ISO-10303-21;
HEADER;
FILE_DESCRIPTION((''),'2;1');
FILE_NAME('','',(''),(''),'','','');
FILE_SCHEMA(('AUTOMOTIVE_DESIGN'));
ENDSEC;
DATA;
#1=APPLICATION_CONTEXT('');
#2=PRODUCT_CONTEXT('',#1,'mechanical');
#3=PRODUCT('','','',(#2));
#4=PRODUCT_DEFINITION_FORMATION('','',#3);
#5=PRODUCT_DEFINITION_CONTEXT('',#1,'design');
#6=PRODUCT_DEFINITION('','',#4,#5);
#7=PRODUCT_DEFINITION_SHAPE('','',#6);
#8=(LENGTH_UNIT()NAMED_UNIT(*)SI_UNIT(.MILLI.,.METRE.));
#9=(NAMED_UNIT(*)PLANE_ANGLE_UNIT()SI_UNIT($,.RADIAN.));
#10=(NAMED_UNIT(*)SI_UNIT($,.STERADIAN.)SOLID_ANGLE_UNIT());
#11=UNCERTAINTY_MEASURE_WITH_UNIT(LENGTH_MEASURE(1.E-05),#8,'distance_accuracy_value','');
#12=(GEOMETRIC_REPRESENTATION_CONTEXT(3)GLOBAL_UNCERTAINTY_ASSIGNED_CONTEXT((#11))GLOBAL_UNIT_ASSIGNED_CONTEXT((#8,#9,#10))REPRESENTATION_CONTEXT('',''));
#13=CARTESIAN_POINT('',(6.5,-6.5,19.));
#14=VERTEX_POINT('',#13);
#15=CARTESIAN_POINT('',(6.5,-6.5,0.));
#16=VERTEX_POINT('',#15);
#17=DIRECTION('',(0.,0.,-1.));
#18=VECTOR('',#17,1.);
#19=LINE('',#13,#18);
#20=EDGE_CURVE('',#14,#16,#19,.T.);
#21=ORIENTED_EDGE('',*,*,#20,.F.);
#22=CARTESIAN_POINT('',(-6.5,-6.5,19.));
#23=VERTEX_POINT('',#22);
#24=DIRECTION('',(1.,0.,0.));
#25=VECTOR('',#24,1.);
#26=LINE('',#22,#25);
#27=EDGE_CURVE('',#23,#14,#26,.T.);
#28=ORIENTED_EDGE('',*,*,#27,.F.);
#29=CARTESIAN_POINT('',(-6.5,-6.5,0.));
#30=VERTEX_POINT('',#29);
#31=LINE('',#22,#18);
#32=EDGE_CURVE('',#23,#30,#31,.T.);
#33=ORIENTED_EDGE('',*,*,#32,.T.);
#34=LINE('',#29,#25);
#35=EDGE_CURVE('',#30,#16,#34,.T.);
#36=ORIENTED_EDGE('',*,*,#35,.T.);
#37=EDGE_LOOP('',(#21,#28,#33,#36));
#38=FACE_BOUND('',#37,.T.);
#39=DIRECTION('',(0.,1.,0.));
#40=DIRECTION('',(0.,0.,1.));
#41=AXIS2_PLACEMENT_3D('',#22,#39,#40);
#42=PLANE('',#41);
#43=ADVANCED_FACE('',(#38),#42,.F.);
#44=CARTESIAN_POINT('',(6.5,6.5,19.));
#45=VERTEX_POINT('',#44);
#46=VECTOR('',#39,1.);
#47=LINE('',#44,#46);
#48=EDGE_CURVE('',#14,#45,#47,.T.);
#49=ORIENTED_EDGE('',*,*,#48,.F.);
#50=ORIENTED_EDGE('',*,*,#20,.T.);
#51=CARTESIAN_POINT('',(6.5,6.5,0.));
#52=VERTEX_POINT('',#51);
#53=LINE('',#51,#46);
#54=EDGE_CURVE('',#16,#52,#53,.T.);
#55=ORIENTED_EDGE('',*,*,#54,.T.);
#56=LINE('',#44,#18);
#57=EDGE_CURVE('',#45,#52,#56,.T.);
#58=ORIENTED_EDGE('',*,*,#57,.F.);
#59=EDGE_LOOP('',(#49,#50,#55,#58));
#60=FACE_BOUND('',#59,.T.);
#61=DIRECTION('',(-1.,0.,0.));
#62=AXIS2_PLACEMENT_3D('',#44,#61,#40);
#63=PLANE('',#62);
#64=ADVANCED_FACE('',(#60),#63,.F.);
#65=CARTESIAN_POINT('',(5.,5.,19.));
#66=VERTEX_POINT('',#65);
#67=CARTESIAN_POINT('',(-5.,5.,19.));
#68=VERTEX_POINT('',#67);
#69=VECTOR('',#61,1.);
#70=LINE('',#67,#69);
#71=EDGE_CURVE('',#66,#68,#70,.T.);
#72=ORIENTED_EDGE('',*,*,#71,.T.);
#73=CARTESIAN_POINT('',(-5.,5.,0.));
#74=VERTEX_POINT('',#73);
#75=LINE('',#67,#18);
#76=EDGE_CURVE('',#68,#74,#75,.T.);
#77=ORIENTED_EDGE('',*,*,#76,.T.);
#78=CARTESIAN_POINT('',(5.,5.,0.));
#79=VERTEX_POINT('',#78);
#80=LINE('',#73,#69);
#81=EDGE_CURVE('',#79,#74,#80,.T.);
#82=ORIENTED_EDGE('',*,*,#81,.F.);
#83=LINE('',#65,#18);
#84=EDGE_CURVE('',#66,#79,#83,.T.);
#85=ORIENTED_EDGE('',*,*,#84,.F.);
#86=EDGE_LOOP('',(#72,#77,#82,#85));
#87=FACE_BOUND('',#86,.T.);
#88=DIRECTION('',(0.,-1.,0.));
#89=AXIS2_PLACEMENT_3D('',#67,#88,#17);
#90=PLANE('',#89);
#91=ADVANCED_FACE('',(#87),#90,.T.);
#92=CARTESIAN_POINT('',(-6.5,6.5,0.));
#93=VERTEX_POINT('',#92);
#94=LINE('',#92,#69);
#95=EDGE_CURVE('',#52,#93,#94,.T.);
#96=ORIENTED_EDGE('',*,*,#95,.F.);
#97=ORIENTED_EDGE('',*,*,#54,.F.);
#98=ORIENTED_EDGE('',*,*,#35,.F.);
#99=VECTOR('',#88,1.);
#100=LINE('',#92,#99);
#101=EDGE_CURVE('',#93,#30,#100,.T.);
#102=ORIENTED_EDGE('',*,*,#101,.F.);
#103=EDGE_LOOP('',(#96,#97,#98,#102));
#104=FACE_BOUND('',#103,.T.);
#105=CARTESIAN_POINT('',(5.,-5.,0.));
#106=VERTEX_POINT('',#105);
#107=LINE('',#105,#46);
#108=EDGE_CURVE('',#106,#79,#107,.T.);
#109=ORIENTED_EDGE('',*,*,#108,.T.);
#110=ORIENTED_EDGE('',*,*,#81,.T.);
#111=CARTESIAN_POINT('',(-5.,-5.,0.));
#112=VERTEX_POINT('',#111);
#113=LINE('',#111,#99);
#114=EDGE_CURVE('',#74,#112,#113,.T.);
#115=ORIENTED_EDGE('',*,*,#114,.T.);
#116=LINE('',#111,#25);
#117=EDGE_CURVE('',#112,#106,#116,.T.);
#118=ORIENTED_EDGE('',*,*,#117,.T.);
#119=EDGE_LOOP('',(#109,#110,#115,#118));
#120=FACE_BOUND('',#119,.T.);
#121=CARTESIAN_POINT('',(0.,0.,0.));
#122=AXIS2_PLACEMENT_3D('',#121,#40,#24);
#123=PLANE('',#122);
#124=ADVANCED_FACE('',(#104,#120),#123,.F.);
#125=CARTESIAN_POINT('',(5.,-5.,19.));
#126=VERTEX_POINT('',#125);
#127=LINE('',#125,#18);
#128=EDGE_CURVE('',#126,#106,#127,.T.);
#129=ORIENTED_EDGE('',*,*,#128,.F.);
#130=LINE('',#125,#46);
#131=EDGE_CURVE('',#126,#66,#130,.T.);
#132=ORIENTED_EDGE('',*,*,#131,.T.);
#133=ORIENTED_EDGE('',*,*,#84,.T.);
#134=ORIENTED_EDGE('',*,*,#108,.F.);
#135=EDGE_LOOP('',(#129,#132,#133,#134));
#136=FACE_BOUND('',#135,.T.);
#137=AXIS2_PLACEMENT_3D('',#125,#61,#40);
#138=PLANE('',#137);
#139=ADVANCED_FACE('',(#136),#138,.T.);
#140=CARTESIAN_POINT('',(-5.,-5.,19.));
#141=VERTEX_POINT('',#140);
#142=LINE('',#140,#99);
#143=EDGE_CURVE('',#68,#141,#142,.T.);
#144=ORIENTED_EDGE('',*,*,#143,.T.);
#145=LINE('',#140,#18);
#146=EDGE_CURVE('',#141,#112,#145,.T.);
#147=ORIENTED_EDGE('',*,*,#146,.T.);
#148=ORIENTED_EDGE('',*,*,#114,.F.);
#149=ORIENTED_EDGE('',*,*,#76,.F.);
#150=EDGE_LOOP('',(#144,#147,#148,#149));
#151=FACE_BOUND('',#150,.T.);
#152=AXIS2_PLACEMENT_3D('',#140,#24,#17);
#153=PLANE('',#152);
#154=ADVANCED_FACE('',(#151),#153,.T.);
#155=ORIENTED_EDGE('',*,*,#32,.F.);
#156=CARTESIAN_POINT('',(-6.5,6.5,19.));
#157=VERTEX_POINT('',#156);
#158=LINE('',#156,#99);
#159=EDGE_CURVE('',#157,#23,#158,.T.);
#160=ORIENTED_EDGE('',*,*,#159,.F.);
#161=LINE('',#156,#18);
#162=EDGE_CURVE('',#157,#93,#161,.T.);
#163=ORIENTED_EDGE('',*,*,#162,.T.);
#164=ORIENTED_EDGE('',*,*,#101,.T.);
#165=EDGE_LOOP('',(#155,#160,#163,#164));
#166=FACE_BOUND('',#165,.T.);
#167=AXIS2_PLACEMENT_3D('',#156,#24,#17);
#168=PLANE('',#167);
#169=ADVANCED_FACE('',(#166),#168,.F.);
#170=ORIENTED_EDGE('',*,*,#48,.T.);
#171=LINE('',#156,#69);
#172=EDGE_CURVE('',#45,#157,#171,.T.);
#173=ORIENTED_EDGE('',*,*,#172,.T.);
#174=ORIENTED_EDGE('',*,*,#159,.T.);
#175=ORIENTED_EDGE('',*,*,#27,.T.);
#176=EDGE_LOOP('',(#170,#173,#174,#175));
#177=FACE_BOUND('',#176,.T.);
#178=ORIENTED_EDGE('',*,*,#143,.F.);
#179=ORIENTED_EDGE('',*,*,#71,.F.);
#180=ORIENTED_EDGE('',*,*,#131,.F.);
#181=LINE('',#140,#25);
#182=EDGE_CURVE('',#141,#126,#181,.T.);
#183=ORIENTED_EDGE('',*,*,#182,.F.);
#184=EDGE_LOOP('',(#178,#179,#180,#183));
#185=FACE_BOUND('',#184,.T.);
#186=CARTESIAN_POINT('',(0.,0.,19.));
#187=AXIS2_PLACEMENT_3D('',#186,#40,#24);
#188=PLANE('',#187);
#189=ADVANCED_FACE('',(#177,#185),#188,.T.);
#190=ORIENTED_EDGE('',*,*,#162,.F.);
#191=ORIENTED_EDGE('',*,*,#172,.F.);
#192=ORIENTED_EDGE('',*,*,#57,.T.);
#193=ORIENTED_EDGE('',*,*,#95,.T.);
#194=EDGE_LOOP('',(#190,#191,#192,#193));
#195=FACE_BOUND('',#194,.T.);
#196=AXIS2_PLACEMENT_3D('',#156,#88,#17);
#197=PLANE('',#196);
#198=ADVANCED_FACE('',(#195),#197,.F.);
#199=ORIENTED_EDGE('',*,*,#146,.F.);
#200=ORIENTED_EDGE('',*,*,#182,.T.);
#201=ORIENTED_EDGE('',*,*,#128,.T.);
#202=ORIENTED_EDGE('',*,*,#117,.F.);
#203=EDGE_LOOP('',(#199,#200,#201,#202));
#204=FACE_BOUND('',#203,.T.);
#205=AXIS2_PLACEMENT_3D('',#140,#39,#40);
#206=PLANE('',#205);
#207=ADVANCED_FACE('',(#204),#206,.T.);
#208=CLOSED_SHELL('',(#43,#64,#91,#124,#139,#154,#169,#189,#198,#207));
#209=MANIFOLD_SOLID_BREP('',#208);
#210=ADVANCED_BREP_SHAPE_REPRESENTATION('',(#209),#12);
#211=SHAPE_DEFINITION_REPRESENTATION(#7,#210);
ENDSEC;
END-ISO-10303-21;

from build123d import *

# Parameters (mm, degrees)
SKETCH1_W           = 13
SKETCH1_H           = 13
SKETCH1_W_2         = 10
SKETCH1_H_2         = 10
BOSS_EXTRUDE1_DEPTH = 19


with BuildPart() as part:
    # Sketch1 → Boss-Extrude1 (new body)
    with BuildSketch(Plane.XY):
        Rectangle(SKETCH1_W, SKETCH1_H)
        Rectangle(SKETCH1_W_2, SKETCH1_H_2, mode=Mode.SUBTRACT)
    extrude(amount=BOSS_EXTRUDE1_DEPTH)


solid = part.part
